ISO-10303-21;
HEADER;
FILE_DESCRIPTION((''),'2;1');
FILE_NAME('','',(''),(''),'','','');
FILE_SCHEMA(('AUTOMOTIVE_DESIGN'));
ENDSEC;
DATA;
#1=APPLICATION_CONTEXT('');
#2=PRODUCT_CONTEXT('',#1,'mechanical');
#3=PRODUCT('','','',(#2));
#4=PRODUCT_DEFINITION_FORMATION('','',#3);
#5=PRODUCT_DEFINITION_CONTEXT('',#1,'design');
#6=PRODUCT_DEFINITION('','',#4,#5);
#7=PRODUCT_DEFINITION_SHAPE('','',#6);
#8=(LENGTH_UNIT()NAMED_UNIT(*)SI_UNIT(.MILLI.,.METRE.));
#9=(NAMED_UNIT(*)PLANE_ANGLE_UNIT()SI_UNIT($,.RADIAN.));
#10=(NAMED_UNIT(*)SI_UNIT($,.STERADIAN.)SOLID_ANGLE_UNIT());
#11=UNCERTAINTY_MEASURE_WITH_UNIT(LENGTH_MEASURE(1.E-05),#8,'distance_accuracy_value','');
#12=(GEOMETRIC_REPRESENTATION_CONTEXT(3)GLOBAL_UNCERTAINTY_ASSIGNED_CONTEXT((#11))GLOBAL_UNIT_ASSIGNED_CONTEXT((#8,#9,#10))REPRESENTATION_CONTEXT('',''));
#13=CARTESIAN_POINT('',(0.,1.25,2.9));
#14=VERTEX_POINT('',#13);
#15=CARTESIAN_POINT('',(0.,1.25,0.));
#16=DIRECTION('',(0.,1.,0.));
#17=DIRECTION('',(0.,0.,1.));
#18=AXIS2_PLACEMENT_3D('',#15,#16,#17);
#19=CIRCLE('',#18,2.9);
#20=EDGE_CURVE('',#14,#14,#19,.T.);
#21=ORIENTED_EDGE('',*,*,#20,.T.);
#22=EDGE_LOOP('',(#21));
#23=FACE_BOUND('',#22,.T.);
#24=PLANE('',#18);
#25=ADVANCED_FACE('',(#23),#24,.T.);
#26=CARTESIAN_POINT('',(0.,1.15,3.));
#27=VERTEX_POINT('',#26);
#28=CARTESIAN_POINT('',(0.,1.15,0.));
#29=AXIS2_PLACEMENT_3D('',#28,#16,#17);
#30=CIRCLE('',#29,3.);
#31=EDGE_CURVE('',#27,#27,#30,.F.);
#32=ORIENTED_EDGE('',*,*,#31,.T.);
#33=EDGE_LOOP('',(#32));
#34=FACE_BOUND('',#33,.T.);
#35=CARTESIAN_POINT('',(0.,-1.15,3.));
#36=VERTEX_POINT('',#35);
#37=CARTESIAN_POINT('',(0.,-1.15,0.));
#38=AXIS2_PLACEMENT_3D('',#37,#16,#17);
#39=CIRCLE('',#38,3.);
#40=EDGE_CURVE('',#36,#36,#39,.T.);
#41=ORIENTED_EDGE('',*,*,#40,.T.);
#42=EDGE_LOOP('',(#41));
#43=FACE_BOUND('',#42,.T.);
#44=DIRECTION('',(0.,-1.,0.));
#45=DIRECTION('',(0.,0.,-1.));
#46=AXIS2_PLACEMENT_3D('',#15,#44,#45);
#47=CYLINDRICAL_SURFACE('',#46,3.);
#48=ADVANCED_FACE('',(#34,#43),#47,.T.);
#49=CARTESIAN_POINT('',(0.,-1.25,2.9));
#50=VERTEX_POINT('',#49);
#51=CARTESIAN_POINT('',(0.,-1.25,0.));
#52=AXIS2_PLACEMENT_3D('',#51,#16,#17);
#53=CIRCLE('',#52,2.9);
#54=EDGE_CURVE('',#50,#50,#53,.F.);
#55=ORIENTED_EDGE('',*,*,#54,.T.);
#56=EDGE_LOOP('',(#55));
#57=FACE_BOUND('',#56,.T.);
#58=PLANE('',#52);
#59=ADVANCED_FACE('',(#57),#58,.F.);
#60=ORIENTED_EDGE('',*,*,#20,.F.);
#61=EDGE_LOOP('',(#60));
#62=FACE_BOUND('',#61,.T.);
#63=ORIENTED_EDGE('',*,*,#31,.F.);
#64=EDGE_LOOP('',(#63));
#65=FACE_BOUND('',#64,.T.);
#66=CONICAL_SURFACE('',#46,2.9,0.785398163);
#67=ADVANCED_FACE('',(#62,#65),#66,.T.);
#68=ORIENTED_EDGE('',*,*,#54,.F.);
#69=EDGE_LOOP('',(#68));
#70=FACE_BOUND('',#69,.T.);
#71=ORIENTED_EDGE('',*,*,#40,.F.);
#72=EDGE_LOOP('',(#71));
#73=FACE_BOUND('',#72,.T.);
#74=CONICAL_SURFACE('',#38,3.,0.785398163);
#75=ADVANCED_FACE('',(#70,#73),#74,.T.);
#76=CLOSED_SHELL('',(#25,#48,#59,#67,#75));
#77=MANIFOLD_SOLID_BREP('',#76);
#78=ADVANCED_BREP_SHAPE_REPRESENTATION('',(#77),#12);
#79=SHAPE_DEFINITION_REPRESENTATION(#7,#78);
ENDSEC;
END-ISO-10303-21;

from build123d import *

# Parameters (mm, degrees)
SKETCH1_R           = 3
BOSS_EXTRUDE1_DEPTH = 1.25
CHAMFER1_SIZE       = 0.1


with BuildPart() as part:
    # Sketch1 → Boss-Extrude1 (new, symmetric)
    with BuildSketch(Plane(origin=(0, 0, 0), x_dir=(1, 0, 0), z_dir=(0, 1, 0))):
        Circle(SKETCH1_R)
    extrude(amount=BOSS_EXTRUDE1_DEPTH, both=True)

    # Chamfer1
    chamfer1_edges = [part.edges().sort_by_distance(p)[0] for p in [
        (-3, -1.25, 0),
        (-3, 1.25, 0),
    ]]
    chamfer(chamfer1_edges, length=CHAMFER1_SIZE)


solid = part.part
